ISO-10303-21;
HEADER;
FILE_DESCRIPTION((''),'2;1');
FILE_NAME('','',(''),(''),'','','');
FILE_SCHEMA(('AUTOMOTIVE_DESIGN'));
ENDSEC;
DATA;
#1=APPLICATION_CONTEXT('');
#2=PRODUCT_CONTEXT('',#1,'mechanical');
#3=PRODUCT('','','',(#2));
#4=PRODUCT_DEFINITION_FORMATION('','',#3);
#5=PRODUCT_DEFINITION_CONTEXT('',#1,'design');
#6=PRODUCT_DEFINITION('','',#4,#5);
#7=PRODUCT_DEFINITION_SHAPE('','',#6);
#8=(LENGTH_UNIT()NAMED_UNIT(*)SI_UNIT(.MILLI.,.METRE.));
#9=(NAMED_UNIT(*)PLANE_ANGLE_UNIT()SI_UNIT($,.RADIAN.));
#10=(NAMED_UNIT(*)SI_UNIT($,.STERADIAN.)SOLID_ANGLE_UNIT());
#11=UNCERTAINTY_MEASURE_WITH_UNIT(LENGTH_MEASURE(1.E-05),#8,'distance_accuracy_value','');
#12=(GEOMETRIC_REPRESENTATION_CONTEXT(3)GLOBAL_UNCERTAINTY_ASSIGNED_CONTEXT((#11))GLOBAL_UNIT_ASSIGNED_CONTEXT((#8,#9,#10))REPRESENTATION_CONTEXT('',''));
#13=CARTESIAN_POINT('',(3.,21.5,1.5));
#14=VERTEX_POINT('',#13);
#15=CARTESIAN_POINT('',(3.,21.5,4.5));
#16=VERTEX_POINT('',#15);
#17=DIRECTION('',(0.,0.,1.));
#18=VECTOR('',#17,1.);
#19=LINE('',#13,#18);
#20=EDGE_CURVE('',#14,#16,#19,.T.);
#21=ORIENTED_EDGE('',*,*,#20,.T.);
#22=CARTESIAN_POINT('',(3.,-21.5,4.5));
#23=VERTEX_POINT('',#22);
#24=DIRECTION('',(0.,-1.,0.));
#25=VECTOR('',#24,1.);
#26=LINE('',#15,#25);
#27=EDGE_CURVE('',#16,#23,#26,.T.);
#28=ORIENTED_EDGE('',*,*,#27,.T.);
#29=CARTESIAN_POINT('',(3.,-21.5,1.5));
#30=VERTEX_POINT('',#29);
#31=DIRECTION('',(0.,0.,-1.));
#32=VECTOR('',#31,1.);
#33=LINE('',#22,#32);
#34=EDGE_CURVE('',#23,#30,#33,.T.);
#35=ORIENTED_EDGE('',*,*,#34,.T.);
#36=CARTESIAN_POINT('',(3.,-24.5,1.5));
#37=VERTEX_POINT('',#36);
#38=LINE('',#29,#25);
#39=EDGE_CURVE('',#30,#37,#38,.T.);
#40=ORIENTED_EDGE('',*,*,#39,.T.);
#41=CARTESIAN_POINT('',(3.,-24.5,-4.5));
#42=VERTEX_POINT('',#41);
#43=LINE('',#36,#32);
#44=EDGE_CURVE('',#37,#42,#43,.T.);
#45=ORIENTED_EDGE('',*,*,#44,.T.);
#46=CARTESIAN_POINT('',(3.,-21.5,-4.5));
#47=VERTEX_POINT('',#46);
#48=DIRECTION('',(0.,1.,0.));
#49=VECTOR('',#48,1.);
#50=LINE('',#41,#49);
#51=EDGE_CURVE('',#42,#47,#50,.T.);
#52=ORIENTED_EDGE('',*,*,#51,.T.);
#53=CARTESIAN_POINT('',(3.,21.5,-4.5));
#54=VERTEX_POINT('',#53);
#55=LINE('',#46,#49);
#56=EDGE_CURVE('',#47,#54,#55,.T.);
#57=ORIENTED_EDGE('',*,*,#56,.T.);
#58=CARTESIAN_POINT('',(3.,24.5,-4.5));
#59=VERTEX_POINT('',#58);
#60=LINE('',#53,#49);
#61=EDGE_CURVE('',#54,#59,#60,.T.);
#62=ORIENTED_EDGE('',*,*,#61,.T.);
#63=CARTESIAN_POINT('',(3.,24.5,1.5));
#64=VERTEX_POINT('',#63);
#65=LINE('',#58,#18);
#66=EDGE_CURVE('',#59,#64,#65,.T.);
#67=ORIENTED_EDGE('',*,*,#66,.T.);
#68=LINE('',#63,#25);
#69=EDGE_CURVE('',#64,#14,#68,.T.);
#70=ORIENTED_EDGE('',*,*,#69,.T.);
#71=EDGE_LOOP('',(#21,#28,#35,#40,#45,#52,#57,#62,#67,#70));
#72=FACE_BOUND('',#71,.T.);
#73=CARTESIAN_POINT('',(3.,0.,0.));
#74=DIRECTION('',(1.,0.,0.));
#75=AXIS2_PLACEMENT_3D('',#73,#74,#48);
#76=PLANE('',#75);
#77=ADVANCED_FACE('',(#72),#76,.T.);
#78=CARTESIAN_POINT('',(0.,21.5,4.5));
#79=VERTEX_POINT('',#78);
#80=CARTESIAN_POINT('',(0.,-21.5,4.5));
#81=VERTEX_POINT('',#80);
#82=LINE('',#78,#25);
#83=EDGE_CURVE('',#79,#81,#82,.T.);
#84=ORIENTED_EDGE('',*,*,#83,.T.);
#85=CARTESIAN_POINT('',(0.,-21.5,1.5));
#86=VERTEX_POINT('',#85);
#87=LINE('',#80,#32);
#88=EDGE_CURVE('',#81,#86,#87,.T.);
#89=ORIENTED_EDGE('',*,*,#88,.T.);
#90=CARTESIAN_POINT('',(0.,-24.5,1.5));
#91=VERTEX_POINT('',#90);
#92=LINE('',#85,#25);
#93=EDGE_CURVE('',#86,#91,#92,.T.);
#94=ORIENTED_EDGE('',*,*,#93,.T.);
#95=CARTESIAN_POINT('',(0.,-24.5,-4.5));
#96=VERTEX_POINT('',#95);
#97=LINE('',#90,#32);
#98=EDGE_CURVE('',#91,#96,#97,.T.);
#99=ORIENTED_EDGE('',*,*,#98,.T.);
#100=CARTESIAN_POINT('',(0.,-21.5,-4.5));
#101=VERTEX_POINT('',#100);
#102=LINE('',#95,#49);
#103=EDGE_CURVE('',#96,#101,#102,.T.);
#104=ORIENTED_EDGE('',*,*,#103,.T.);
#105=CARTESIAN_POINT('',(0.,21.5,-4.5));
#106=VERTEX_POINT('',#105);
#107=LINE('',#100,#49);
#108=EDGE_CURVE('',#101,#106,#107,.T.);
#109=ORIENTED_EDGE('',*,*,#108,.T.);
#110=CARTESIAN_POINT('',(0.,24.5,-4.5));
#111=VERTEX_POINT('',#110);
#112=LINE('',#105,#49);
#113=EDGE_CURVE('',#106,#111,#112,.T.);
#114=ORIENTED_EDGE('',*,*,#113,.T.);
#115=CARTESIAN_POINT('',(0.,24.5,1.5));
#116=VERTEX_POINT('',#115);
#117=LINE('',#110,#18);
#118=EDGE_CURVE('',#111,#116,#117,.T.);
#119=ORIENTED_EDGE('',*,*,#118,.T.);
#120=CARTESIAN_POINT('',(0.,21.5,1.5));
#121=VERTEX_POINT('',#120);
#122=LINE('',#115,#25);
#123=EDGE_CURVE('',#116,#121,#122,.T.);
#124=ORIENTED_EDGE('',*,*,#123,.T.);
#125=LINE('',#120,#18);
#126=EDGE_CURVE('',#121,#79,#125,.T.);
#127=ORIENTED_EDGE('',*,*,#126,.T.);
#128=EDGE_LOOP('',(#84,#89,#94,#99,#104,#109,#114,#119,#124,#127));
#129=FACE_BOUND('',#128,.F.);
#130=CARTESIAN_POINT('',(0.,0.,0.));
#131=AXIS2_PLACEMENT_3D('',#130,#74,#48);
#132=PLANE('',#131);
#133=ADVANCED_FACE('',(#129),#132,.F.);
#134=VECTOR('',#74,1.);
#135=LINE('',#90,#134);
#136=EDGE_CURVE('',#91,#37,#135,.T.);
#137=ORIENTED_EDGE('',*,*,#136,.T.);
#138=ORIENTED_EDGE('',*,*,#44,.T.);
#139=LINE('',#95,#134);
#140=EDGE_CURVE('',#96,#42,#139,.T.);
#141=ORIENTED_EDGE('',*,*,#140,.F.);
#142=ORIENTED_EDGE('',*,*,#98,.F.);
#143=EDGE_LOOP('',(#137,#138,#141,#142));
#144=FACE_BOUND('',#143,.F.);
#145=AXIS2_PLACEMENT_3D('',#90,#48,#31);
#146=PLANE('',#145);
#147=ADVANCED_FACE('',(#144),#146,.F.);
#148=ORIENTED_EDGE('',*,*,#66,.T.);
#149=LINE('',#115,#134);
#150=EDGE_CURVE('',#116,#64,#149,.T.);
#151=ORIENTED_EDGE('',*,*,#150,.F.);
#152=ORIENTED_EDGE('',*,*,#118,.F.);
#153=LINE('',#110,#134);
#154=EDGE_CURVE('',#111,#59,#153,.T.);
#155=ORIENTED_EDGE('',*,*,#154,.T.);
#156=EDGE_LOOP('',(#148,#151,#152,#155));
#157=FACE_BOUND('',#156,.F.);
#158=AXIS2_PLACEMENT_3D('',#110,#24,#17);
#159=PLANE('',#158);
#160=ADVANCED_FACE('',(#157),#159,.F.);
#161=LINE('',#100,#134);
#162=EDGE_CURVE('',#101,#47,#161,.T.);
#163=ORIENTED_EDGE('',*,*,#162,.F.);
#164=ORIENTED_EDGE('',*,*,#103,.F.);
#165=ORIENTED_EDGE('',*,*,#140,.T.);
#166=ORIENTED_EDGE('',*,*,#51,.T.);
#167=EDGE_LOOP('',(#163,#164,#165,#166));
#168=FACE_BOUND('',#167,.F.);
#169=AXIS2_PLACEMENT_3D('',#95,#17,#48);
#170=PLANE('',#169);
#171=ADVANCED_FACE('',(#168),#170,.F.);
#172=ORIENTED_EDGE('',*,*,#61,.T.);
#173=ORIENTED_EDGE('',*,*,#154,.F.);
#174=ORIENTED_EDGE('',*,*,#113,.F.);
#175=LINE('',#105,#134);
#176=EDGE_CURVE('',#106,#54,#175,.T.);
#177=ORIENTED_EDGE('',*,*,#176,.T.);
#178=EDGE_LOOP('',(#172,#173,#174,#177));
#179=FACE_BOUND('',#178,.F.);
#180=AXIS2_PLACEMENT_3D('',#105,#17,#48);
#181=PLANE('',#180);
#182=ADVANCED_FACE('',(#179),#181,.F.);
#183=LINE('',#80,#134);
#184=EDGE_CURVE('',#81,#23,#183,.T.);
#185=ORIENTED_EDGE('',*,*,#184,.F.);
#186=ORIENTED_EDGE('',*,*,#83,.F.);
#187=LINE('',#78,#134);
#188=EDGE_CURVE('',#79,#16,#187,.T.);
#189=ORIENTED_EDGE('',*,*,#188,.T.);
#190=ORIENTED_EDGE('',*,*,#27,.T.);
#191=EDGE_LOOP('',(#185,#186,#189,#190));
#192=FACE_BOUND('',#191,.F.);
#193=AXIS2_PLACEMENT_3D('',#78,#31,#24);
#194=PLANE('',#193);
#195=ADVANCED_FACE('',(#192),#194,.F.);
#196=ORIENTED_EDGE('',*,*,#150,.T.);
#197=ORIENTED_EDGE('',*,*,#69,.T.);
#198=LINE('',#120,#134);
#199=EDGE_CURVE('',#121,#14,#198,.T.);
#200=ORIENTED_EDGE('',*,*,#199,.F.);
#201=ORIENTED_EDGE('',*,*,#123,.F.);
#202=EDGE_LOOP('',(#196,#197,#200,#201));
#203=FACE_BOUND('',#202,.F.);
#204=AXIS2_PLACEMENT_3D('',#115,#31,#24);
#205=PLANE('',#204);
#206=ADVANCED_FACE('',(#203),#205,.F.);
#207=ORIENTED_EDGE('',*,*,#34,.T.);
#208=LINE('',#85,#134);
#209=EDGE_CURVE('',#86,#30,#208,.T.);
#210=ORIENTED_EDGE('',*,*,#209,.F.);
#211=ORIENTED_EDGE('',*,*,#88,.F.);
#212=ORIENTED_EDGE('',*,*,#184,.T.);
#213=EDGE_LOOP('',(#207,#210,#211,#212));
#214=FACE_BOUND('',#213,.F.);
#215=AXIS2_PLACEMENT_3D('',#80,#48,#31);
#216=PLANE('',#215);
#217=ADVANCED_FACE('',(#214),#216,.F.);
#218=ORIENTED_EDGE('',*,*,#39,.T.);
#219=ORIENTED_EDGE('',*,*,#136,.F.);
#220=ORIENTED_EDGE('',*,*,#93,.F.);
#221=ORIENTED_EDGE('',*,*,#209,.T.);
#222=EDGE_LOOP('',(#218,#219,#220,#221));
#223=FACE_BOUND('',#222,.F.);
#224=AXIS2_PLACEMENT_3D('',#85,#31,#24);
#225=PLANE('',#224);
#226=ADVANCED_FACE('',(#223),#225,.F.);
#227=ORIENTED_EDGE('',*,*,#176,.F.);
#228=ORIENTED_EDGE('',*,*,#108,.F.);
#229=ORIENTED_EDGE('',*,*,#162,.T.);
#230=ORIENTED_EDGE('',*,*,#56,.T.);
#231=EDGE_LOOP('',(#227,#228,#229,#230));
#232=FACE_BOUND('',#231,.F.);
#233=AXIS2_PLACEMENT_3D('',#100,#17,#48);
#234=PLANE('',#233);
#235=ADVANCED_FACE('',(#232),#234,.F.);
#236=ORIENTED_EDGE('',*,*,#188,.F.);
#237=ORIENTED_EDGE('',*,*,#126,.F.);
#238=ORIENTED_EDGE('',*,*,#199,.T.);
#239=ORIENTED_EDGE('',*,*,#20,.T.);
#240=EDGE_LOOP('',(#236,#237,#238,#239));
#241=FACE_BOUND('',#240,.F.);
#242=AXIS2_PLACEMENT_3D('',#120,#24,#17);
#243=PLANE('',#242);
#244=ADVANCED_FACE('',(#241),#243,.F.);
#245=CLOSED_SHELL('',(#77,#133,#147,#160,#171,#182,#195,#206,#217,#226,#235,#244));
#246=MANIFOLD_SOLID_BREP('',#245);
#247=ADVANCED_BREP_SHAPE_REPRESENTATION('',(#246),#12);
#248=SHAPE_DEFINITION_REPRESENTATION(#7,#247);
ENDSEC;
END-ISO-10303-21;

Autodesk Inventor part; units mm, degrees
ref_plane "YZ Plane" through (0, 0, 0) normal (1, 0, 0) x (0, 1, 0)
ref_plane "XZ Plane" through (0, 0, 0) normal (0, 1, 0) x (-1, 0, 0)
ref_plane "XY Plane" through (0, 0, 0) normal (0, 0, 1) x (1, 0, 0)
sketch "Boceto1" plane through (0, 0, 0) normal (1, 0, 0) x (0, 1, 0)
  line L0 (21.5, 1.5) -> (21.5, 4.5)
  line L1 (24.5, 1.5) -> (21.5, 1.5)
  line L2 (24.5, -4.5) -> (24.5, 1.5)
  line L3 (21.5, -4.5) -> (24.5, -4.5)
  line L4 (-21.5, -4.5) -> (21.5, -4.5)
  line L5 (-24.5, -4.5) -> (-21.5, -4.5)
  line L6 (-24.5, 1.5) -> (-24.5, -4.5)
  line L7 (-21.5, 1.5) -> (-24.5, 1.5)
  line L8 (-21.5, 4.5) -> (-21.5, 1.5)
  line L9 (21.5, 4.5) -> (-21.5, 4.5)
  point P0 (0, 0)
extrude "Extrusión1" add sketch "Boceto1" along normal blind 3
properties part number "Case_Base3" material "MDF Tablero de fibras de densidad media"
